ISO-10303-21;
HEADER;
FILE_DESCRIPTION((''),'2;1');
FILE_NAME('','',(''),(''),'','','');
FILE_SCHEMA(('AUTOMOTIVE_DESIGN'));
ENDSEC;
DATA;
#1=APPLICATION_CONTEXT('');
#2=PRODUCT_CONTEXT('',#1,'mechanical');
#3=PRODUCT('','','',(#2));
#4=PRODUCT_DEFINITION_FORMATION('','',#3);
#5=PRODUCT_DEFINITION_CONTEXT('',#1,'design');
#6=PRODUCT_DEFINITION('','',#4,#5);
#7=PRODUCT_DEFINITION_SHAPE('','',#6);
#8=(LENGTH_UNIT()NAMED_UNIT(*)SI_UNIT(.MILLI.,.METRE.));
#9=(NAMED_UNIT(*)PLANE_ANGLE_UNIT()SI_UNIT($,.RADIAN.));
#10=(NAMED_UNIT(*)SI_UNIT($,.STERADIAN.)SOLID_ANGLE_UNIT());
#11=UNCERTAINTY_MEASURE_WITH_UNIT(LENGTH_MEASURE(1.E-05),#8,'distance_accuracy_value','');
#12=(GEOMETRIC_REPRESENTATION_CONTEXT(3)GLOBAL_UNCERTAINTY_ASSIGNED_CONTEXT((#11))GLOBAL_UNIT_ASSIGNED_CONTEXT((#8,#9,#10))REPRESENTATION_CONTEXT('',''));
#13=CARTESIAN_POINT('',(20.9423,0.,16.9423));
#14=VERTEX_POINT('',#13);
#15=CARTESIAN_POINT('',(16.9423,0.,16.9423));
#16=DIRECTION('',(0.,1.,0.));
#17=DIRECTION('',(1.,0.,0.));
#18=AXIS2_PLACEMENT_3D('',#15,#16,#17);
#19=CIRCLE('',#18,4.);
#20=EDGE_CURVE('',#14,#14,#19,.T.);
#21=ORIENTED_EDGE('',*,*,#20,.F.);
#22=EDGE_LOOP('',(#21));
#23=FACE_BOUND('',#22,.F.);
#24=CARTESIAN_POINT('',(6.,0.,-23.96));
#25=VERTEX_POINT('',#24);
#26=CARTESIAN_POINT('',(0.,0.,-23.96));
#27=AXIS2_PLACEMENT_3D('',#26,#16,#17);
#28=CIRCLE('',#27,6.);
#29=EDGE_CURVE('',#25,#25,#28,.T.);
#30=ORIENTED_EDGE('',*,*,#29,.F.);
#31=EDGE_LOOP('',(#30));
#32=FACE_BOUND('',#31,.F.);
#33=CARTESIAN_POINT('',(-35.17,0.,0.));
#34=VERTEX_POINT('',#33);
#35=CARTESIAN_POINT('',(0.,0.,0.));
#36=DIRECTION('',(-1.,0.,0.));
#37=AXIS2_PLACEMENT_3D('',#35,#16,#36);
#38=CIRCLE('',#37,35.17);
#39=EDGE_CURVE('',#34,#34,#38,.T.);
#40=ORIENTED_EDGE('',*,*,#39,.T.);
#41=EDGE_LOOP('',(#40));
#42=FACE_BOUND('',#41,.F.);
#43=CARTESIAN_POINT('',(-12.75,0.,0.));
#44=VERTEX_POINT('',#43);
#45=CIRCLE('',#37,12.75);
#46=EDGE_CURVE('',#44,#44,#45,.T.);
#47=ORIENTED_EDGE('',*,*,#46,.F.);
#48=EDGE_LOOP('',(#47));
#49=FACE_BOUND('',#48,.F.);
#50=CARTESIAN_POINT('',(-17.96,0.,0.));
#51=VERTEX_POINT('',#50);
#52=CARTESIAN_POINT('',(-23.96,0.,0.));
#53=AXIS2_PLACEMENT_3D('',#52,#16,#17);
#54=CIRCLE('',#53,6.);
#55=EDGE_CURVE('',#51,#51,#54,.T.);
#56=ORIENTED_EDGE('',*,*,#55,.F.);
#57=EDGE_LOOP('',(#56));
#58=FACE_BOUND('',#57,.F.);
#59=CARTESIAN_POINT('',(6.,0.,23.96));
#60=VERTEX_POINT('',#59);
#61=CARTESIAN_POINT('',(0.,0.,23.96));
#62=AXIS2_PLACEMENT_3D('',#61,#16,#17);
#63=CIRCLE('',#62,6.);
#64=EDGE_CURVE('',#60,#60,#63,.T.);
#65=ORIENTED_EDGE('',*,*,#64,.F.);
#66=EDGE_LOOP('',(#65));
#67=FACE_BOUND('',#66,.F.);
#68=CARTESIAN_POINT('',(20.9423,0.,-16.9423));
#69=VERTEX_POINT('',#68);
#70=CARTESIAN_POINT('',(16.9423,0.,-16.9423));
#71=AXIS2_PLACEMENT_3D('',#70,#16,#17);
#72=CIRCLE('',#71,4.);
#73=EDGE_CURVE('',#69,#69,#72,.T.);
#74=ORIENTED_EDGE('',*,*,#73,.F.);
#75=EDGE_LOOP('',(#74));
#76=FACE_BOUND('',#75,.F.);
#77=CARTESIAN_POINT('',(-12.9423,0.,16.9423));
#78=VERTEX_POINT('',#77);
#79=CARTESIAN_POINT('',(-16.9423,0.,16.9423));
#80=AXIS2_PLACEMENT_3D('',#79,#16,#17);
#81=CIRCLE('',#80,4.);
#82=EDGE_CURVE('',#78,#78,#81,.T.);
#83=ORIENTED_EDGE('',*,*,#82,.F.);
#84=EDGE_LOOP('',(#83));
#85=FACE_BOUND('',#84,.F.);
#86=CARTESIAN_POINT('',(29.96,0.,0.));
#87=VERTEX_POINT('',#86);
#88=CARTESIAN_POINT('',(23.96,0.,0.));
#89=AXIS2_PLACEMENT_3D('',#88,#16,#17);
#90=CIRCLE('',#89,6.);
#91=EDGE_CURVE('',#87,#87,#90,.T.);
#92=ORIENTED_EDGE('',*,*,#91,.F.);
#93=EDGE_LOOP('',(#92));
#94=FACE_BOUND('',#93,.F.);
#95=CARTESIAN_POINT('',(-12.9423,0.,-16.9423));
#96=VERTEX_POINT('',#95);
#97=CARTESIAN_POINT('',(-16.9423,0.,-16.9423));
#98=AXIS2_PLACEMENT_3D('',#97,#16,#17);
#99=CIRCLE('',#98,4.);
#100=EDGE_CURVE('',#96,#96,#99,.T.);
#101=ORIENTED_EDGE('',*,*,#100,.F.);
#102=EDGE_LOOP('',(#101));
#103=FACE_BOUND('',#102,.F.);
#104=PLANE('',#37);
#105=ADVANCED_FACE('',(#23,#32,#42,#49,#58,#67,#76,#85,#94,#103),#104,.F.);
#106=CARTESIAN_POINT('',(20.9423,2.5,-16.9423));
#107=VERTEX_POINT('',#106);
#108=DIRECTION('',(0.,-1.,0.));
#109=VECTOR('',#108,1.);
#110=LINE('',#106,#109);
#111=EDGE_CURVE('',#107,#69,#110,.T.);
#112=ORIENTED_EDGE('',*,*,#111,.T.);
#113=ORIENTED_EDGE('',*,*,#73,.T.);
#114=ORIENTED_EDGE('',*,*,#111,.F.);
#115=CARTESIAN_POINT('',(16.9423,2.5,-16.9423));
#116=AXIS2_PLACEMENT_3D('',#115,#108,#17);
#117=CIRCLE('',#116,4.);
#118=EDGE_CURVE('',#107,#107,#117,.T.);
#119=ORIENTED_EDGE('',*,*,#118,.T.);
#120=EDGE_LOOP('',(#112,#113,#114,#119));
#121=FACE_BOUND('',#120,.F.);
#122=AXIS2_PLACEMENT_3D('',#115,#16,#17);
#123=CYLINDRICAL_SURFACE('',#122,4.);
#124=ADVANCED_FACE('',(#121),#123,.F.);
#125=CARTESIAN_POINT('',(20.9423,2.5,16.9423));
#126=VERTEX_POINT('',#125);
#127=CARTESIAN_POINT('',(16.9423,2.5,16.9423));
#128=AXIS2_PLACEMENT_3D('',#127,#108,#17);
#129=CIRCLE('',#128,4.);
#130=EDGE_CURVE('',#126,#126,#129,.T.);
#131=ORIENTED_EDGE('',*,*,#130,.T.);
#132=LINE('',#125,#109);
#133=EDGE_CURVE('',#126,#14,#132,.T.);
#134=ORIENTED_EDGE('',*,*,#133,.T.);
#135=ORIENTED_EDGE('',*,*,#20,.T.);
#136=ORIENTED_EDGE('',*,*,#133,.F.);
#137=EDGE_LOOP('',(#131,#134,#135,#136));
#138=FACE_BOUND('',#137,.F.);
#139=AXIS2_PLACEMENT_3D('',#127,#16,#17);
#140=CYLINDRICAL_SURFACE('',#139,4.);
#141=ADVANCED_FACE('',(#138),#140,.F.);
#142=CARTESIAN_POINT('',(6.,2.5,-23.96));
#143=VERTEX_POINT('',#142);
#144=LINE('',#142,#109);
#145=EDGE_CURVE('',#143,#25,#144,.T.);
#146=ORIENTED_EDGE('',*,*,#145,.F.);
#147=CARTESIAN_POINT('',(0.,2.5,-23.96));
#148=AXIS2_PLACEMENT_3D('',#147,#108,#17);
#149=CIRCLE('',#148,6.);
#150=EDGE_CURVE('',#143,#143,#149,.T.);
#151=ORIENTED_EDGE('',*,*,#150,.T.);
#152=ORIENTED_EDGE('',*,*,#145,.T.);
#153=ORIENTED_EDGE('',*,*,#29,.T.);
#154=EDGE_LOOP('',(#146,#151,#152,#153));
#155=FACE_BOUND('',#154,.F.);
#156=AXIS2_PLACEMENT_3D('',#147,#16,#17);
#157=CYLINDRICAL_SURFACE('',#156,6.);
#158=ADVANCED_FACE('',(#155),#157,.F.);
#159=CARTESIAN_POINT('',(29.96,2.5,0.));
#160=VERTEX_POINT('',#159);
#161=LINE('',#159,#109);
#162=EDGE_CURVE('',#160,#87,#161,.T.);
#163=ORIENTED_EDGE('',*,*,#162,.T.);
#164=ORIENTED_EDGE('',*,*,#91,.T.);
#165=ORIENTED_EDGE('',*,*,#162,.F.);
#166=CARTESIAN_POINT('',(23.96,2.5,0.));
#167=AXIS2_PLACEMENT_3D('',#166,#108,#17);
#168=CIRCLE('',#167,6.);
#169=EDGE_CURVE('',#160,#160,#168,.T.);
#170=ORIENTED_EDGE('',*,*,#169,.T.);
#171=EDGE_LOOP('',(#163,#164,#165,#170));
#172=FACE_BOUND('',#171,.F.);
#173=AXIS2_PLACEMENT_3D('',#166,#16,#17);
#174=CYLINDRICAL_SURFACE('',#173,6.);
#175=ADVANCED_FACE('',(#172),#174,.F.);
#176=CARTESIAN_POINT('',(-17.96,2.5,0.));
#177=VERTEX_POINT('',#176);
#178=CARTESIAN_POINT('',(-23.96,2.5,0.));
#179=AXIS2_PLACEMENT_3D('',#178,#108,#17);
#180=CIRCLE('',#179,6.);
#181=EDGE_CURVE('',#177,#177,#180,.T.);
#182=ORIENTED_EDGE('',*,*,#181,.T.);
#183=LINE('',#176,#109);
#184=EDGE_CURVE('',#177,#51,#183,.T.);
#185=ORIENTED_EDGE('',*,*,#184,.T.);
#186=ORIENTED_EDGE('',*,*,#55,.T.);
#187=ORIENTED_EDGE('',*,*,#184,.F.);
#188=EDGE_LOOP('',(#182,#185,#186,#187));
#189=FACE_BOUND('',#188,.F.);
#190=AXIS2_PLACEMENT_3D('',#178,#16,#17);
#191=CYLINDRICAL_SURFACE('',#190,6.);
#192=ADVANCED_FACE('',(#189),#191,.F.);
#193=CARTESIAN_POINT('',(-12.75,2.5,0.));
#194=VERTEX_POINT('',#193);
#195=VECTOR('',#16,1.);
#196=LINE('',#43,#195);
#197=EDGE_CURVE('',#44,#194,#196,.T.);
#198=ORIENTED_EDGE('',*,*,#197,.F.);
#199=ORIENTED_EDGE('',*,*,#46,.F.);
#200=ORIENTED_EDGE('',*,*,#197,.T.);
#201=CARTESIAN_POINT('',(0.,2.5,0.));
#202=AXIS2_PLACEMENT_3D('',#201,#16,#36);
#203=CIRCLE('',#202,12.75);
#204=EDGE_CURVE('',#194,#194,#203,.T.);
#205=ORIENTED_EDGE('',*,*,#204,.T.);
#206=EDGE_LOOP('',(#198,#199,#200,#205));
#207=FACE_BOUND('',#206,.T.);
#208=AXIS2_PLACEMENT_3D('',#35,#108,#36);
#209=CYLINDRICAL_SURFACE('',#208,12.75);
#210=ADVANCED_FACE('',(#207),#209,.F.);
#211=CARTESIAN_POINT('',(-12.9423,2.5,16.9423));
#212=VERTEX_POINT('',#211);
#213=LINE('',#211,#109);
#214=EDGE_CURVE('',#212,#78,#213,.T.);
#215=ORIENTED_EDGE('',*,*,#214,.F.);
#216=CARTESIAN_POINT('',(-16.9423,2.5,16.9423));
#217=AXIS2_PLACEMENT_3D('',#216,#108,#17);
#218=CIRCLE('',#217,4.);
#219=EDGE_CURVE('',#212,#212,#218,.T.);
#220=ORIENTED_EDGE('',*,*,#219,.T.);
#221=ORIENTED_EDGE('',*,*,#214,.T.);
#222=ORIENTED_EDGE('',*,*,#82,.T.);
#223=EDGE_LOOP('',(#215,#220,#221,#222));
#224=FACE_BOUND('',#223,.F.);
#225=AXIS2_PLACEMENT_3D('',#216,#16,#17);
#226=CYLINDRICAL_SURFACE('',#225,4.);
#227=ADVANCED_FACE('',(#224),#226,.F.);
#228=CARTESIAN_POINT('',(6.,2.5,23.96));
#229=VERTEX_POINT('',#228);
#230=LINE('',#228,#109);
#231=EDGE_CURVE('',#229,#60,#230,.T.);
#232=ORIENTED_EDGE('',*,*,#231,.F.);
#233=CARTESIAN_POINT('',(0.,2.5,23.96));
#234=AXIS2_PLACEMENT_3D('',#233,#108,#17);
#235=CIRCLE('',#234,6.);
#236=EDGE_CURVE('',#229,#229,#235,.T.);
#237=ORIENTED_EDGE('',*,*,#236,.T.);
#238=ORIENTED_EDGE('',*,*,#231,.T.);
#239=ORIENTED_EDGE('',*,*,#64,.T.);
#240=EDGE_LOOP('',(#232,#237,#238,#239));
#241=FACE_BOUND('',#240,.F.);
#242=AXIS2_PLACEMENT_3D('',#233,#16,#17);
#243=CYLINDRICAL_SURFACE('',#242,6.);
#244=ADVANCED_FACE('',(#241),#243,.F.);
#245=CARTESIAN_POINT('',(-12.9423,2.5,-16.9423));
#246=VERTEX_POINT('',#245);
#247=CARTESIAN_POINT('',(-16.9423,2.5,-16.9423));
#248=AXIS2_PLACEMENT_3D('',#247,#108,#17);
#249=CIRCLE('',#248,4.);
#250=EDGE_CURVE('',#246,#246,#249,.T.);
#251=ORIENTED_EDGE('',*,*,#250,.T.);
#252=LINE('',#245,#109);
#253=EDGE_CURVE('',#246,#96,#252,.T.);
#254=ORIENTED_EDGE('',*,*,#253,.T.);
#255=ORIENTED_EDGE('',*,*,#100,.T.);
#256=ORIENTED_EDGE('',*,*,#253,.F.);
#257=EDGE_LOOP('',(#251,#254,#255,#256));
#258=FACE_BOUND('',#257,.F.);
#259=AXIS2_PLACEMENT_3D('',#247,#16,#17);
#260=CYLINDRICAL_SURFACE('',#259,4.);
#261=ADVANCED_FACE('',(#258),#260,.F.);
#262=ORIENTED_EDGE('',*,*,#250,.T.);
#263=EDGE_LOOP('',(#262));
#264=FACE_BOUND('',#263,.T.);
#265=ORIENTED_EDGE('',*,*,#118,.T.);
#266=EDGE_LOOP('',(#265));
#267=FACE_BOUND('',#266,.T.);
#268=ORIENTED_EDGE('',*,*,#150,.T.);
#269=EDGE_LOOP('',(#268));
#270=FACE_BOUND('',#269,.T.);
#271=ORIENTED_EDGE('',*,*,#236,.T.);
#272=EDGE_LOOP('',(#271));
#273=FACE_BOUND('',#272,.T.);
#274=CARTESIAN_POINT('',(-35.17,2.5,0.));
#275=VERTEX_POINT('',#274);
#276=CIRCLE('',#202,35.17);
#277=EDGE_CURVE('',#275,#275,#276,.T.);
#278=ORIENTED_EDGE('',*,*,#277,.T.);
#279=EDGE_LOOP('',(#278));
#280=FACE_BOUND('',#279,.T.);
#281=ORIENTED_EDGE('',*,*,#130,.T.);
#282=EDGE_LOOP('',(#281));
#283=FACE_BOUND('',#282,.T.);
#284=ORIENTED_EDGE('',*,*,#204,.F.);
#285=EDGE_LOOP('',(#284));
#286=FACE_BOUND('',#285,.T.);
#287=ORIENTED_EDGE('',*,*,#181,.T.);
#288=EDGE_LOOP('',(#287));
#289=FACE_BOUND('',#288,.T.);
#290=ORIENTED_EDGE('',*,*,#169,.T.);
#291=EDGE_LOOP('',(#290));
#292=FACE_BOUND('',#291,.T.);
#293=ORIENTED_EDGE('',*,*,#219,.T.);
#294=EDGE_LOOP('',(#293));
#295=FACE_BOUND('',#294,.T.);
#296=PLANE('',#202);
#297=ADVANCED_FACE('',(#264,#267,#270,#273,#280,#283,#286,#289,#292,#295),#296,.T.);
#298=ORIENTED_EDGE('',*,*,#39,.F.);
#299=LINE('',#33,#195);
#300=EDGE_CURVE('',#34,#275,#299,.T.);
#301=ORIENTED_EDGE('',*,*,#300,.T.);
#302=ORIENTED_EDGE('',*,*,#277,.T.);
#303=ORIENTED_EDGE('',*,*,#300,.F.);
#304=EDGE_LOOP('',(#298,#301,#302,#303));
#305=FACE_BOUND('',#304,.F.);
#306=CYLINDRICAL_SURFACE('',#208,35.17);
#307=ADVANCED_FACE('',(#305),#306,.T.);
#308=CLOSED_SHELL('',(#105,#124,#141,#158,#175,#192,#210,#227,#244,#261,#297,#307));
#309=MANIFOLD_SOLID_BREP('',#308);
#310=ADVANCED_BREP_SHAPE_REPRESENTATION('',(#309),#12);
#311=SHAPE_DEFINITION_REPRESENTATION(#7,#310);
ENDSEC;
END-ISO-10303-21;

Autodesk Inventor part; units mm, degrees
ref_plane "YZ Plane" through (0, 0, 0) normal (1, 0, 0) x (0, 1, 0)
ref_plane "XZ Plane" through (0, 0, 0) normal (0, 1, 0) x (-1, 0, 0)
ref_plane "XY Plane" through (0, 0, 0) normal (0, 0, 1) x (1, 0, 0)
sketch "Sketch1" plane through (0, 0, 0) normal (0, 1, 0) x (-1, 0, 0)
  circle A0 centre (0, 0) radius 35.17
  circle A1 centre (0, 0) radius 12.75
  dimension "d0" = 70.34
  dimension "d1" = 25.5
extrude "Extrusion1" add sketch "Sketch1" along normal blind 2.5
sketch "Sketch2" plane through (0, 2.5, 0) normal (0, 1, 0) x (1, 0, 0)
  circle A0 centre (0, 0) radius 12.75 projected
  line L0 (12.75, 0) -> (34.4208, 0)
  line L1 (0, 12.75) -> (0, 35.17)
  circle A1 centre (0, 0) radius 35.17 projected
  circle A2 centre (0, 23.96) radius 6
  circle A3 centre (-23.96, 0) radius 6
  circle A4 centre (0, -23.96) radius 6
  circle A5 centre (23.96, 0) radius 6
  line L2 (0, 0) -> (31, 31)
  line L3 (0, 0) -> (43.8406, 0) construction
  circle A6 centre (0, 0) radius 23.96
  circle A7 centre (16.9423, 16.9423) radius 4
  circle A8 centre (-16.9423, 16.9423) radius 4
  circle A9 centre (-16.9423, -16.9423) radius 4
  circle A10 centre (16.9423, -16.9423) radius 4
  dimension "d4" = 12
  dimension "d7" = 360
  dimension "d9" = 45
  dimension "d10" = 8
  dimension "d13" = 360
extrude "Extrusion2" cut sketch "Sketch2" against normal blind 10 contours A2 A6 L1 | L1 A6 A2 | A5 A6 L0 | L0 A6 A5 | A7 A6 L2 | L2 A6 A7 | A6 A2 L1 | L1 A2 A6 | A6 A5 L0 | L0 A5 A6 | A6 A7 L2 | L2 A7 A6 | A8 A6 | A6 A8 | A10 A6 | A6 A10 | A6 A3 | A3 A6 | A6 A4 | A4 A6 | A9 A6 | A6 A9
properties part number "Anillo de Soporte" material "MDF Medium Density Fiberboard"
